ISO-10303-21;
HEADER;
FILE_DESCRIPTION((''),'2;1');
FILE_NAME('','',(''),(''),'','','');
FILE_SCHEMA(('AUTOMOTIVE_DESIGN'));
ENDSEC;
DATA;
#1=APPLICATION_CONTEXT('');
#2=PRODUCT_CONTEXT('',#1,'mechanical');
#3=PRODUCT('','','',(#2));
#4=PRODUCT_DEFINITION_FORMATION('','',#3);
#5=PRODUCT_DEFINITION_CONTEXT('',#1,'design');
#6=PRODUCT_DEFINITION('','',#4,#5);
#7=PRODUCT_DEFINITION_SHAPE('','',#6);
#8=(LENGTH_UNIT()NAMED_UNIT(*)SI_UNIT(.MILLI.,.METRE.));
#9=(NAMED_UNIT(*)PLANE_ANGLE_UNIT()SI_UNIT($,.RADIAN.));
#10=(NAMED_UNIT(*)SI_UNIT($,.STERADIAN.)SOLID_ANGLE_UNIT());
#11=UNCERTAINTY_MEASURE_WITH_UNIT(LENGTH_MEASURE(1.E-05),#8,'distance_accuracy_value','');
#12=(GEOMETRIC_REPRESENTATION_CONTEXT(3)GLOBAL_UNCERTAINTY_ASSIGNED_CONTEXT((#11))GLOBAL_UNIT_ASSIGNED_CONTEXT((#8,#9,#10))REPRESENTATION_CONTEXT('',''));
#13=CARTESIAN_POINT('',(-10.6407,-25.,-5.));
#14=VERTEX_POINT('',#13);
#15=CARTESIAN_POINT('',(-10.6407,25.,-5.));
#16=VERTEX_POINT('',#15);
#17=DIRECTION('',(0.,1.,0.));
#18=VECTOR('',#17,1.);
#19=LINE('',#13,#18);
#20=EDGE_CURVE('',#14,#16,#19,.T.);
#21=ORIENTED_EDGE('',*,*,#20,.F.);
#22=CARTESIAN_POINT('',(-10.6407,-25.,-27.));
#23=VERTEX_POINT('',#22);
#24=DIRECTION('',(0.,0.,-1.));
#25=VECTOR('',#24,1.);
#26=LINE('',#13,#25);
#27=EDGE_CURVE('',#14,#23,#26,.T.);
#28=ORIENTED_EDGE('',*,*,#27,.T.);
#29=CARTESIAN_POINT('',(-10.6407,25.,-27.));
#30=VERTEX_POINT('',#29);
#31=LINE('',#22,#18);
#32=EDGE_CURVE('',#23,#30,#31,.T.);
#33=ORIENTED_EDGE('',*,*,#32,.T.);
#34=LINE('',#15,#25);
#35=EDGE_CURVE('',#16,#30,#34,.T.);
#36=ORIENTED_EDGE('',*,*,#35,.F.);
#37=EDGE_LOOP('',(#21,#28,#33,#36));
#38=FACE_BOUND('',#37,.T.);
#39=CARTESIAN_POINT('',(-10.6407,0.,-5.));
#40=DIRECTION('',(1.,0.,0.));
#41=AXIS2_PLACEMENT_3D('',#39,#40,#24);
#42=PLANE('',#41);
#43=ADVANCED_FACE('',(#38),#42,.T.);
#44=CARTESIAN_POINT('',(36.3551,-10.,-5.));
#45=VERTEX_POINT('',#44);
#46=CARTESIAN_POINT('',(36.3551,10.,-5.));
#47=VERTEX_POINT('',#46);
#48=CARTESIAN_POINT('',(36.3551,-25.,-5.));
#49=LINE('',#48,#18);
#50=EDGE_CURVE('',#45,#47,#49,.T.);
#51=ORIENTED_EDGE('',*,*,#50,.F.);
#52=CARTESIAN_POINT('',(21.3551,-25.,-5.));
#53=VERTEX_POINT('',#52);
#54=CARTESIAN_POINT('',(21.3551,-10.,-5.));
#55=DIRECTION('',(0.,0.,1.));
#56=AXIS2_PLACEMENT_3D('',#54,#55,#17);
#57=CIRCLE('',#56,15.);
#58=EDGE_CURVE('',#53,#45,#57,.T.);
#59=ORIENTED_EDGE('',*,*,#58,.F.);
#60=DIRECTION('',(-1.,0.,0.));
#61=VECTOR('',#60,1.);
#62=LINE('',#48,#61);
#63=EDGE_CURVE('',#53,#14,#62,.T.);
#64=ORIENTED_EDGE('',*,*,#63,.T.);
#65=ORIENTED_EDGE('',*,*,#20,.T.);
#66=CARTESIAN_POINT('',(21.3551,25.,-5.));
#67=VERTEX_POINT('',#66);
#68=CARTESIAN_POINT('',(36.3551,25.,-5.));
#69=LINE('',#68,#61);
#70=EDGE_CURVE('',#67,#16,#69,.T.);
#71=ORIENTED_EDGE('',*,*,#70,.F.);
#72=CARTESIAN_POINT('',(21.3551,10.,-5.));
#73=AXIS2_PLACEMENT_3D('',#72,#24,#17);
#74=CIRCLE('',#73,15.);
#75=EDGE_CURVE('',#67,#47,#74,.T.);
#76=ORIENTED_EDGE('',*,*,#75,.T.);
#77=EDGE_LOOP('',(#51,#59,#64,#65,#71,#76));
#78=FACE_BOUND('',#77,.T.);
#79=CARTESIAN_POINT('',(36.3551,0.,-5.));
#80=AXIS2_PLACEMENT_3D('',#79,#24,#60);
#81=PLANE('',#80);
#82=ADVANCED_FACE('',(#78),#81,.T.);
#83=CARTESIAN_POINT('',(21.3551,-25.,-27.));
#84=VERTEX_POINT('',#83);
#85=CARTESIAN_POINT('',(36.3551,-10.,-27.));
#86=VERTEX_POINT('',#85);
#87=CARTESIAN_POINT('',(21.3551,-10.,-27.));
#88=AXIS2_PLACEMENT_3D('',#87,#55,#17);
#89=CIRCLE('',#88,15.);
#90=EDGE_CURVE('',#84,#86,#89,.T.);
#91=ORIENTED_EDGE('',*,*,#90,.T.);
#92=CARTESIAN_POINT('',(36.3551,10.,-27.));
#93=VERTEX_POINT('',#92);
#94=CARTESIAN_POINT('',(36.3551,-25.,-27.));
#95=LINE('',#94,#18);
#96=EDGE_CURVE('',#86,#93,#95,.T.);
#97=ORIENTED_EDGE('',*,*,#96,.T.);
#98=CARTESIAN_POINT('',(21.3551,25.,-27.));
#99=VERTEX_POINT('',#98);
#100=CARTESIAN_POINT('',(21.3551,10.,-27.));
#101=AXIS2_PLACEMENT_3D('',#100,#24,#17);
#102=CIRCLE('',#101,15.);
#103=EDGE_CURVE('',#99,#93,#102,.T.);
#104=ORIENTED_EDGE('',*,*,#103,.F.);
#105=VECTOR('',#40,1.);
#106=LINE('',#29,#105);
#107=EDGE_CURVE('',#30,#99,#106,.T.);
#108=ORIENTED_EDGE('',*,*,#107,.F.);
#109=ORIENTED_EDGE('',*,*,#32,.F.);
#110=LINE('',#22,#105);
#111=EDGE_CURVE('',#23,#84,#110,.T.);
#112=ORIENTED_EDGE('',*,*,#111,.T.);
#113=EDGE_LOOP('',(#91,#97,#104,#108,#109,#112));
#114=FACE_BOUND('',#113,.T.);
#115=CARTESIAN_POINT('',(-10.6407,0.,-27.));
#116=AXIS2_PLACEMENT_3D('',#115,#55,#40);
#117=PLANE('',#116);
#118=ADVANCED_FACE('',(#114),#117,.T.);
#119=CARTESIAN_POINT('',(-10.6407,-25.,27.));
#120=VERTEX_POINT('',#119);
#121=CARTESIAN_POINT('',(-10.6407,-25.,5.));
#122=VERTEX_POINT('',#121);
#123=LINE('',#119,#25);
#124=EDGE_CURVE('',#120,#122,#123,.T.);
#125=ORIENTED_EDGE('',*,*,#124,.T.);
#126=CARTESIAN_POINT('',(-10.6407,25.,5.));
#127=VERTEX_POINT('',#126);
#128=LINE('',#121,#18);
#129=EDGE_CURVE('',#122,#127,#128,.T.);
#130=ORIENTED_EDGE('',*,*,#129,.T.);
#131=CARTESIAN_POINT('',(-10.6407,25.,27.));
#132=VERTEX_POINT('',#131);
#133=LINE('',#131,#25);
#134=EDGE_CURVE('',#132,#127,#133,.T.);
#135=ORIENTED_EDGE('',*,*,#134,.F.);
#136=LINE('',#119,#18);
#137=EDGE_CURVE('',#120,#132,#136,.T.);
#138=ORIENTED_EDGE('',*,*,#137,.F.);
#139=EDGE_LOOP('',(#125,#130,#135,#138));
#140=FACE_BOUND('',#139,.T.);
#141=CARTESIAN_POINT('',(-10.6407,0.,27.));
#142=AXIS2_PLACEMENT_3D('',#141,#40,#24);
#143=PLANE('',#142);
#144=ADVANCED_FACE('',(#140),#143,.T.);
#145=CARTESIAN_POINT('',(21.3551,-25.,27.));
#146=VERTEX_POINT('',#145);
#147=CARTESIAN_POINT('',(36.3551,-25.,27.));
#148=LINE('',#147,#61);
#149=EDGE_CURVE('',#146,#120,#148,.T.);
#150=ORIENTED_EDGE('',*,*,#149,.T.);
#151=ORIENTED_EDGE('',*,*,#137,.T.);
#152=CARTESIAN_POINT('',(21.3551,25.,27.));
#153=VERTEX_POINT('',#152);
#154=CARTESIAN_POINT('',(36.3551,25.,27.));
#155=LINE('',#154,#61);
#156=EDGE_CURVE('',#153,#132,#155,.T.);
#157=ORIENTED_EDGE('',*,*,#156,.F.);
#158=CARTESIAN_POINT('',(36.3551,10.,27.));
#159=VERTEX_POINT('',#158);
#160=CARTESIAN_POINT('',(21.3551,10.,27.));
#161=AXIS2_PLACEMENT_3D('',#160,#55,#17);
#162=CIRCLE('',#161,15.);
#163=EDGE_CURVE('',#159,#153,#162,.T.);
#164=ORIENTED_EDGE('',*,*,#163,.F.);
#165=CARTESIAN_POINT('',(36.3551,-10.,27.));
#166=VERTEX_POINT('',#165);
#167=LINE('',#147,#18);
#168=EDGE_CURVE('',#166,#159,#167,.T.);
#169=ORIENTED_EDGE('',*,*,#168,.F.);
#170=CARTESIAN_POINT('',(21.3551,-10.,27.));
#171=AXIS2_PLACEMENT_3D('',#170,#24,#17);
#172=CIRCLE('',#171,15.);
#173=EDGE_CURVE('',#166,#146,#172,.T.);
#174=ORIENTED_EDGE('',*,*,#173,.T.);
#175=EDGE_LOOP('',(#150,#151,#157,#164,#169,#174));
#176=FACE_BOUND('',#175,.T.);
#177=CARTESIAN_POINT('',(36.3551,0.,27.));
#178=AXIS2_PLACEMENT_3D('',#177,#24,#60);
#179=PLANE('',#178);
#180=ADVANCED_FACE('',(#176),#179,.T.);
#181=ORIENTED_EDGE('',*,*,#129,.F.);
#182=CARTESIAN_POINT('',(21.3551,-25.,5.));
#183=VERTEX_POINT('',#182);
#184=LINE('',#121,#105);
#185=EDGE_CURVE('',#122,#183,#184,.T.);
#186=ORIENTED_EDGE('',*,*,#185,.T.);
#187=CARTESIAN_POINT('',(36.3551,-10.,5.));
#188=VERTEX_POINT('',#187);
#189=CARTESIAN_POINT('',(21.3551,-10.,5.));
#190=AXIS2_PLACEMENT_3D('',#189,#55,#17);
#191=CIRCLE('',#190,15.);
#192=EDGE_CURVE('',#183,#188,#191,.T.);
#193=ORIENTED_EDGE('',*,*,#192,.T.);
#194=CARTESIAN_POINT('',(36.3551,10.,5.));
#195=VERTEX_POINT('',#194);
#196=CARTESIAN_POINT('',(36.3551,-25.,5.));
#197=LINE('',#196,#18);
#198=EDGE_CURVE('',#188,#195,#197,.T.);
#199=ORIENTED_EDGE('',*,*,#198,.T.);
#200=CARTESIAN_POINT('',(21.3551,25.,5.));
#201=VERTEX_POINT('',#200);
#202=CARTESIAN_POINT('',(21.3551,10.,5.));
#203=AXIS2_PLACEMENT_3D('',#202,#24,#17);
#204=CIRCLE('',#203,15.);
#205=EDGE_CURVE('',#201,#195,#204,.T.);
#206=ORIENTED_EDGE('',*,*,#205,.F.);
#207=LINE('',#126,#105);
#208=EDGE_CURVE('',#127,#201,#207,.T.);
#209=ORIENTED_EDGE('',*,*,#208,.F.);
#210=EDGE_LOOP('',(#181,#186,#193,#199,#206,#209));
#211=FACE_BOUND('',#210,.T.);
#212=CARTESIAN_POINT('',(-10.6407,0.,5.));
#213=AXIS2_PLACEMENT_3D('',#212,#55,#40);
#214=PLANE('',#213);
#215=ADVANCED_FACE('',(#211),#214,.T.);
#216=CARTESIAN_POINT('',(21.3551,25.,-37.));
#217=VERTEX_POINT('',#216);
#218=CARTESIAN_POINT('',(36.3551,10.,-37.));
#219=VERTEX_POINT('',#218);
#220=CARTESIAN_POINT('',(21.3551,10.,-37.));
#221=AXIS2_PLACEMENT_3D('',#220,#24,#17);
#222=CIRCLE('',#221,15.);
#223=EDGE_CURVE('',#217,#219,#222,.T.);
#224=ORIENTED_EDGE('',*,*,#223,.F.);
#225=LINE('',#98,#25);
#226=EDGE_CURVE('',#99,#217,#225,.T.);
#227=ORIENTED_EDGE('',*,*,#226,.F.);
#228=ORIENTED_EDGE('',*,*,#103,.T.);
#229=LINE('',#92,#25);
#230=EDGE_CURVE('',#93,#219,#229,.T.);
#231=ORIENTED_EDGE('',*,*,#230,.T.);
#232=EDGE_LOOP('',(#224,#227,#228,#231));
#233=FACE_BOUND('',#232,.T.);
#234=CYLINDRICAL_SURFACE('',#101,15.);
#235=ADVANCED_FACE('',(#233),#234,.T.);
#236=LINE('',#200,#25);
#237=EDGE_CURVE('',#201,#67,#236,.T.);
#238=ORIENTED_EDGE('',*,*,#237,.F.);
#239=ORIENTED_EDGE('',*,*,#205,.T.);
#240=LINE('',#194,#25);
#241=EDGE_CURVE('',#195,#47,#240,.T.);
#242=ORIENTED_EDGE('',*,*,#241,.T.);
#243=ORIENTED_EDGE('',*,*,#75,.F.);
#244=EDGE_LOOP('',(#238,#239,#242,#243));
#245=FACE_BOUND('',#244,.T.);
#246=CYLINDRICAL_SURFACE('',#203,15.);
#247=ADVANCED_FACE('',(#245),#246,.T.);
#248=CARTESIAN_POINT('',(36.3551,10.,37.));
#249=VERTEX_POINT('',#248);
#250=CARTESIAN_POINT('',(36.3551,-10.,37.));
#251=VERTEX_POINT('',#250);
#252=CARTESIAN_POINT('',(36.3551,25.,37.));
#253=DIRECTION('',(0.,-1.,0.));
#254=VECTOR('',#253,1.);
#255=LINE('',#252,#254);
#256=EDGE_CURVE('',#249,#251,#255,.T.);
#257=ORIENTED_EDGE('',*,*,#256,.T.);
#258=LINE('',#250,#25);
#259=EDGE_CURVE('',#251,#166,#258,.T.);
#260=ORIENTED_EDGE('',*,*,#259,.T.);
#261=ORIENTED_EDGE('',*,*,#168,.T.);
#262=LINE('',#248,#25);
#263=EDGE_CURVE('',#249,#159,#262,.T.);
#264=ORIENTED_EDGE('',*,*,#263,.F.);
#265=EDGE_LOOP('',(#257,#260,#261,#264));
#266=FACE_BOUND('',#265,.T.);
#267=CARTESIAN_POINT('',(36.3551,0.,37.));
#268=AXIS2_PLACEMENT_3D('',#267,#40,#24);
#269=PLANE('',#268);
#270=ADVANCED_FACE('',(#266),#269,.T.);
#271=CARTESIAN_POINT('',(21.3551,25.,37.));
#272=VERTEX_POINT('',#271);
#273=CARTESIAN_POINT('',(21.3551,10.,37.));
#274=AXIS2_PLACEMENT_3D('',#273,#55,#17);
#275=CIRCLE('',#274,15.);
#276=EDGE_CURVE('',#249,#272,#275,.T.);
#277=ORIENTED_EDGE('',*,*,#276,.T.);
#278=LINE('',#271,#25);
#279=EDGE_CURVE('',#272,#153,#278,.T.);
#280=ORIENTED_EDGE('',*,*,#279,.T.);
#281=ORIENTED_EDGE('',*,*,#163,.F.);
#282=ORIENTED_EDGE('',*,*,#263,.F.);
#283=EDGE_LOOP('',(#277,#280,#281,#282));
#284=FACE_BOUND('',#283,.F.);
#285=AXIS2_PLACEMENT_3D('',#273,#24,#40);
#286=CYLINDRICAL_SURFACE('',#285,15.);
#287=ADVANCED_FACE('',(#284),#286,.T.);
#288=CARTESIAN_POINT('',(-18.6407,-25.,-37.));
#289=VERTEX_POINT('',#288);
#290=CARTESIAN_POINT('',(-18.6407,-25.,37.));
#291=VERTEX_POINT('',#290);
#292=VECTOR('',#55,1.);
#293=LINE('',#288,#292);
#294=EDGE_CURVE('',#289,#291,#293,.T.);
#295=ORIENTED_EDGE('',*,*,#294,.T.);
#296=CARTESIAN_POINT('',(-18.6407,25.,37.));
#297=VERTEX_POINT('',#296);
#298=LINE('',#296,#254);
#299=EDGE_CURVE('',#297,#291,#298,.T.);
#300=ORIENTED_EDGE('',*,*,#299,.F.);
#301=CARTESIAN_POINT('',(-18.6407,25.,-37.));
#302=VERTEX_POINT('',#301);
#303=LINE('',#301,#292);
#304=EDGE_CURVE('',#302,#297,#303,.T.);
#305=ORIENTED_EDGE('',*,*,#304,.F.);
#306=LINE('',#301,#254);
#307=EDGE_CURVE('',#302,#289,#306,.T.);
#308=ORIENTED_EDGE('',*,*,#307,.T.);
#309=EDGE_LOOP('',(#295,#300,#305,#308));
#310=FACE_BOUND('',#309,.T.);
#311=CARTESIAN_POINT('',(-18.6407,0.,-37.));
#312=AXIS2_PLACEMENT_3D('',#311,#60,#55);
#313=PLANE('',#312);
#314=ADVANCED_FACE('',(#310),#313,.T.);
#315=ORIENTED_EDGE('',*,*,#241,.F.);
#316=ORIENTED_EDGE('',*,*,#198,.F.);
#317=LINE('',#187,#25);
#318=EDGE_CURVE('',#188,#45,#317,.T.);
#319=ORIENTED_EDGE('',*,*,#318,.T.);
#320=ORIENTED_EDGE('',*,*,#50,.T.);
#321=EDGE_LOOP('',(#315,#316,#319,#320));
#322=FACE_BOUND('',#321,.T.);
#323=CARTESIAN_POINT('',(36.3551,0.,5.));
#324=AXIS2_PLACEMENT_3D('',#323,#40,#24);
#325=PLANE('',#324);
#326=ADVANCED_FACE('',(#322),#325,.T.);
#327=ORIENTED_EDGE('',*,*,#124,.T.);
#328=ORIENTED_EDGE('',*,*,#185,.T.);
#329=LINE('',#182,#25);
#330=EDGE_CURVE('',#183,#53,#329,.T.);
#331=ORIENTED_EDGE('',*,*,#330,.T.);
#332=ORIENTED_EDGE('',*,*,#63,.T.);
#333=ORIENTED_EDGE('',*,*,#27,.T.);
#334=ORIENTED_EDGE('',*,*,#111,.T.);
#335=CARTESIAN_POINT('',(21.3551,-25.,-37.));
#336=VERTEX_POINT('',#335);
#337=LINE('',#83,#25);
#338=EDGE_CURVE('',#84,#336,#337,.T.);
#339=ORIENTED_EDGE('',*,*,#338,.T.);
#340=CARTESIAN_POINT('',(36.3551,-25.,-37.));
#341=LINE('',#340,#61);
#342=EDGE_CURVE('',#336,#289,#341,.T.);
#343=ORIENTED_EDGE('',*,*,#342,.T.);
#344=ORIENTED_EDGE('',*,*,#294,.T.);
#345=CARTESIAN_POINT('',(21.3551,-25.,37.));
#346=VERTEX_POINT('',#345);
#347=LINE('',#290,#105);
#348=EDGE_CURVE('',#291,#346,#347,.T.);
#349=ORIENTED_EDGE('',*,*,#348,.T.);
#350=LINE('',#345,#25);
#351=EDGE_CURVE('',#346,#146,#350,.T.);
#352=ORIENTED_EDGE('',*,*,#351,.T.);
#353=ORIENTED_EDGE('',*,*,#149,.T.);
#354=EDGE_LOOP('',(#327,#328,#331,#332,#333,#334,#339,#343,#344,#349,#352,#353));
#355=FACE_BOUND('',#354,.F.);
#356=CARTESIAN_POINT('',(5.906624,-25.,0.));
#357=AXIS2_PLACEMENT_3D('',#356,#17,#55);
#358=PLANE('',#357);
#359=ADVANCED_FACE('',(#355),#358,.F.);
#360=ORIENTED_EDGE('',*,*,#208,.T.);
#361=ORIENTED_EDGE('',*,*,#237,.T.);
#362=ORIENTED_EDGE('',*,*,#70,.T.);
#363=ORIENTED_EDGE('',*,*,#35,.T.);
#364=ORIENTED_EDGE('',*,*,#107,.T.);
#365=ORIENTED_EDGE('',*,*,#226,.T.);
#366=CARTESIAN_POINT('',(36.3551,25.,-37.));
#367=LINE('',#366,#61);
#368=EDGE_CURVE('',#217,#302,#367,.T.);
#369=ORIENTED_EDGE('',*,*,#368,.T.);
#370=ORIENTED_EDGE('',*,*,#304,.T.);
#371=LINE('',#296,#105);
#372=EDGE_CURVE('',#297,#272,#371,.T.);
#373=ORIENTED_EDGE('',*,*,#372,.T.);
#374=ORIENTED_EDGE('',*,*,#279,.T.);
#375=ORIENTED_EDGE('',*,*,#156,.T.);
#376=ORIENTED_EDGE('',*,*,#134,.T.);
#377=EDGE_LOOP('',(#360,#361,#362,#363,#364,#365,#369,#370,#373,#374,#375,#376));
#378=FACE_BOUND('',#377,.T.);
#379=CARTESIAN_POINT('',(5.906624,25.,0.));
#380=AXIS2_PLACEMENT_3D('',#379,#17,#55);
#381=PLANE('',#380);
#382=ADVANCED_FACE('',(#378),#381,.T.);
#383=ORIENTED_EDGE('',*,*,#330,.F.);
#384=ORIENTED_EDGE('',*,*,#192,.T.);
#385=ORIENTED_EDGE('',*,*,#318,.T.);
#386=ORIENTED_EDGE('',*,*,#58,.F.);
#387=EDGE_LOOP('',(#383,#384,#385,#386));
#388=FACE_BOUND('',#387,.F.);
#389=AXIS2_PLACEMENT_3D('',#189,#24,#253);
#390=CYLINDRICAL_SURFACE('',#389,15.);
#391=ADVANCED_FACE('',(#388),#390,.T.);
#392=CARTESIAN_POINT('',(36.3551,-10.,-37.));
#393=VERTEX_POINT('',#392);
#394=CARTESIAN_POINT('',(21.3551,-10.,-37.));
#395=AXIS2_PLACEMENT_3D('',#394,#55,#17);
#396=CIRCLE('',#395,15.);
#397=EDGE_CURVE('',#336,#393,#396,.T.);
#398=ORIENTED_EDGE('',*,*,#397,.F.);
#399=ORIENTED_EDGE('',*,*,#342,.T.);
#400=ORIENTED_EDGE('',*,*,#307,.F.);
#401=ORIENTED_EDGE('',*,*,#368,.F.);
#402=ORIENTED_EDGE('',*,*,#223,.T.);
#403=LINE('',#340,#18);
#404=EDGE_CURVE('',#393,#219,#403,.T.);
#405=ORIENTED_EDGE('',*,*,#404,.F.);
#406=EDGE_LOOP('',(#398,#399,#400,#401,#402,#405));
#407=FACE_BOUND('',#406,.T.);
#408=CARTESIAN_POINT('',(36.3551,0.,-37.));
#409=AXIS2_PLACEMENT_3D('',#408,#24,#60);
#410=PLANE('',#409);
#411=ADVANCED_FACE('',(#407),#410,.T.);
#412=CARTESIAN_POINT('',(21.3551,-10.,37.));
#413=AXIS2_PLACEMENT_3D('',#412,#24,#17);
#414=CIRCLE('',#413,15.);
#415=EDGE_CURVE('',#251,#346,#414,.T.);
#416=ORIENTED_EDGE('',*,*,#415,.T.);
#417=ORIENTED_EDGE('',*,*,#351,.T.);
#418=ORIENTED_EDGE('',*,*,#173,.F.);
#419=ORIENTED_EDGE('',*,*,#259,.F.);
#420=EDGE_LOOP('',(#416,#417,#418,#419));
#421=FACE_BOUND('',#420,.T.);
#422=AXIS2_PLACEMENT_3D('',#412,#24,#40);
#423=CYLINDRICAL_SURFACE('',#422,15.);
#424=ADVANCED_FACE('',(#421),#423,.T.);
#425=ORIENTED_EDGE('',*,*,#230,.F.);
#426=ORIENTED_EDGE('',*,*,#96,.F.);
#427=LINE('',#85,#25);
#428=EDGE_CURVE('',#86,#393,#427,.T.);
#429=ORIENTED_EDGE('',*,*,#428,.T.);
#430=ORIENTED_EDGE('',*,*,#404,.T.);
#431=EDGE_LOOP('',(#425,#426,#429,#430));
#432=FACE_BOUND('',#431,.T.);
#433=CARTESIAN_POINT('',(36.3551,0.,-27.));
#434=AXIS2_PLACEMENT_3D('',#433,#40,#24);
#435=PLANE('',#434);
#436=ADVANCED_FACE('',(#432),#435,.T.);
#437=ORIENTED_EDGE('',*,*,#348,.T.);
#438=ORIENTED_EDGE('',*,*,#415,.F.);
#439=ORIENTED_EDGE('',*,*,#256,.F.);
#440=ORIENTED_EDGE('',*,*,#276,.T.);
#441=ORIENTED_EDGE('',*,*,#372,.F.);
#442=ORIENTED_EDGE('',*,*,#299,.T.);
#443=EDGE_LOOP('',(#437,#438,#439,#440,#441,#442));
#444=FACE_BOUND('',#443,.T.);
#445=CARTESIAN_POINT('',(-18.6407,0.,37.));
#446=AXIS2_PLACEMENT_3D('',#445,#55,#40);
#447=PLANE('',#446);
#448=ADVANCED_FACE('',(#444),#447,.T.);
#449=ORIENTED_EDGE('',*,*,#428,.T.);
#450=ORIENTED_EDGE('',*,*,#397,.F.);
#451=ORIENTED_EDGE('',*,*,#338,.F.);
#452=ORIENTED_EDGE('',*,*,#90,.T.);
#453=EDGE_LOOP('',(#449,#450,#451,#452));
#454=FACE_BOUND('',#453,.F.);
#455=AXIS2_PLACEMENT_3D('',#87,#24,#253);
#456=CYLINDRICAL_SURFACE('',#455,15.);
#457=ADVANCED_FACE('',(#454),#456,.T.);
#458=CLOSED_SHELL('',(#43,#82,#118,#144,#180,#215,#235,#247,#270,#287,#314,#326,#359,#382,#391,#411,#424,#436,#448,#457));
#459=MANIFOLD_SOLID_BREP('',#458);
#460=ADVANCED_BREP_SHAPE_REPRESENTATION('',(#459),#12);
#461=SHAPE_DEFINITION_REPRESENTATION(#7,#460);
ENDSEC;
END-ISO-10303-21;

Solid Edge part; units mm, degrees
sketch "Sketch1" plane through (0, 0, 0) normal (0, -1, 0) x (1, 0, 0)
  line L0 (36.3551, 37) -> (36.3551, 27)
  line L1 (36.3551, 27) -> (-10.6407, 27)
  line L2 (-10.6407, 27) -> (-10.6407, 5)
  line L3 (-10.6407, 5) -> (36.3551, 5)
  line L4 (36.3551, 5) -> (36.3551, -5)
  line L5 (36.3551, -5) -> (-10.6407, -5)
  line L6 (-10.6407, -5) -> (-10.6407, -27)
  line L7 (-10.6407, -27) -> (36.3551, -27)
  line L8 (36.3551, -27) -> (36.3551, -37)
  line L9 (36.3551, -37) -> (-18.6407, -37)
  line L10 (-18.6407, -37) -> (-18.6407, 37)
  line L11 (-18.6407, 37) -> (36.3551, 37)
  dimension "D1" = 22
  dimension "D2" = 10
  dimension "D3" = 8
extrude "Protrusion1" add sketch "Sketch1" along normal mid plane 50
fillet "Round_2" radius 15 6 edges at (36.3551, -25, 32) (36.3551, -25, 0) (36.3551, -25, -32) (36.3551, 25, -32) (36.3551, 25, 0) (36.3551, 25, 32)
